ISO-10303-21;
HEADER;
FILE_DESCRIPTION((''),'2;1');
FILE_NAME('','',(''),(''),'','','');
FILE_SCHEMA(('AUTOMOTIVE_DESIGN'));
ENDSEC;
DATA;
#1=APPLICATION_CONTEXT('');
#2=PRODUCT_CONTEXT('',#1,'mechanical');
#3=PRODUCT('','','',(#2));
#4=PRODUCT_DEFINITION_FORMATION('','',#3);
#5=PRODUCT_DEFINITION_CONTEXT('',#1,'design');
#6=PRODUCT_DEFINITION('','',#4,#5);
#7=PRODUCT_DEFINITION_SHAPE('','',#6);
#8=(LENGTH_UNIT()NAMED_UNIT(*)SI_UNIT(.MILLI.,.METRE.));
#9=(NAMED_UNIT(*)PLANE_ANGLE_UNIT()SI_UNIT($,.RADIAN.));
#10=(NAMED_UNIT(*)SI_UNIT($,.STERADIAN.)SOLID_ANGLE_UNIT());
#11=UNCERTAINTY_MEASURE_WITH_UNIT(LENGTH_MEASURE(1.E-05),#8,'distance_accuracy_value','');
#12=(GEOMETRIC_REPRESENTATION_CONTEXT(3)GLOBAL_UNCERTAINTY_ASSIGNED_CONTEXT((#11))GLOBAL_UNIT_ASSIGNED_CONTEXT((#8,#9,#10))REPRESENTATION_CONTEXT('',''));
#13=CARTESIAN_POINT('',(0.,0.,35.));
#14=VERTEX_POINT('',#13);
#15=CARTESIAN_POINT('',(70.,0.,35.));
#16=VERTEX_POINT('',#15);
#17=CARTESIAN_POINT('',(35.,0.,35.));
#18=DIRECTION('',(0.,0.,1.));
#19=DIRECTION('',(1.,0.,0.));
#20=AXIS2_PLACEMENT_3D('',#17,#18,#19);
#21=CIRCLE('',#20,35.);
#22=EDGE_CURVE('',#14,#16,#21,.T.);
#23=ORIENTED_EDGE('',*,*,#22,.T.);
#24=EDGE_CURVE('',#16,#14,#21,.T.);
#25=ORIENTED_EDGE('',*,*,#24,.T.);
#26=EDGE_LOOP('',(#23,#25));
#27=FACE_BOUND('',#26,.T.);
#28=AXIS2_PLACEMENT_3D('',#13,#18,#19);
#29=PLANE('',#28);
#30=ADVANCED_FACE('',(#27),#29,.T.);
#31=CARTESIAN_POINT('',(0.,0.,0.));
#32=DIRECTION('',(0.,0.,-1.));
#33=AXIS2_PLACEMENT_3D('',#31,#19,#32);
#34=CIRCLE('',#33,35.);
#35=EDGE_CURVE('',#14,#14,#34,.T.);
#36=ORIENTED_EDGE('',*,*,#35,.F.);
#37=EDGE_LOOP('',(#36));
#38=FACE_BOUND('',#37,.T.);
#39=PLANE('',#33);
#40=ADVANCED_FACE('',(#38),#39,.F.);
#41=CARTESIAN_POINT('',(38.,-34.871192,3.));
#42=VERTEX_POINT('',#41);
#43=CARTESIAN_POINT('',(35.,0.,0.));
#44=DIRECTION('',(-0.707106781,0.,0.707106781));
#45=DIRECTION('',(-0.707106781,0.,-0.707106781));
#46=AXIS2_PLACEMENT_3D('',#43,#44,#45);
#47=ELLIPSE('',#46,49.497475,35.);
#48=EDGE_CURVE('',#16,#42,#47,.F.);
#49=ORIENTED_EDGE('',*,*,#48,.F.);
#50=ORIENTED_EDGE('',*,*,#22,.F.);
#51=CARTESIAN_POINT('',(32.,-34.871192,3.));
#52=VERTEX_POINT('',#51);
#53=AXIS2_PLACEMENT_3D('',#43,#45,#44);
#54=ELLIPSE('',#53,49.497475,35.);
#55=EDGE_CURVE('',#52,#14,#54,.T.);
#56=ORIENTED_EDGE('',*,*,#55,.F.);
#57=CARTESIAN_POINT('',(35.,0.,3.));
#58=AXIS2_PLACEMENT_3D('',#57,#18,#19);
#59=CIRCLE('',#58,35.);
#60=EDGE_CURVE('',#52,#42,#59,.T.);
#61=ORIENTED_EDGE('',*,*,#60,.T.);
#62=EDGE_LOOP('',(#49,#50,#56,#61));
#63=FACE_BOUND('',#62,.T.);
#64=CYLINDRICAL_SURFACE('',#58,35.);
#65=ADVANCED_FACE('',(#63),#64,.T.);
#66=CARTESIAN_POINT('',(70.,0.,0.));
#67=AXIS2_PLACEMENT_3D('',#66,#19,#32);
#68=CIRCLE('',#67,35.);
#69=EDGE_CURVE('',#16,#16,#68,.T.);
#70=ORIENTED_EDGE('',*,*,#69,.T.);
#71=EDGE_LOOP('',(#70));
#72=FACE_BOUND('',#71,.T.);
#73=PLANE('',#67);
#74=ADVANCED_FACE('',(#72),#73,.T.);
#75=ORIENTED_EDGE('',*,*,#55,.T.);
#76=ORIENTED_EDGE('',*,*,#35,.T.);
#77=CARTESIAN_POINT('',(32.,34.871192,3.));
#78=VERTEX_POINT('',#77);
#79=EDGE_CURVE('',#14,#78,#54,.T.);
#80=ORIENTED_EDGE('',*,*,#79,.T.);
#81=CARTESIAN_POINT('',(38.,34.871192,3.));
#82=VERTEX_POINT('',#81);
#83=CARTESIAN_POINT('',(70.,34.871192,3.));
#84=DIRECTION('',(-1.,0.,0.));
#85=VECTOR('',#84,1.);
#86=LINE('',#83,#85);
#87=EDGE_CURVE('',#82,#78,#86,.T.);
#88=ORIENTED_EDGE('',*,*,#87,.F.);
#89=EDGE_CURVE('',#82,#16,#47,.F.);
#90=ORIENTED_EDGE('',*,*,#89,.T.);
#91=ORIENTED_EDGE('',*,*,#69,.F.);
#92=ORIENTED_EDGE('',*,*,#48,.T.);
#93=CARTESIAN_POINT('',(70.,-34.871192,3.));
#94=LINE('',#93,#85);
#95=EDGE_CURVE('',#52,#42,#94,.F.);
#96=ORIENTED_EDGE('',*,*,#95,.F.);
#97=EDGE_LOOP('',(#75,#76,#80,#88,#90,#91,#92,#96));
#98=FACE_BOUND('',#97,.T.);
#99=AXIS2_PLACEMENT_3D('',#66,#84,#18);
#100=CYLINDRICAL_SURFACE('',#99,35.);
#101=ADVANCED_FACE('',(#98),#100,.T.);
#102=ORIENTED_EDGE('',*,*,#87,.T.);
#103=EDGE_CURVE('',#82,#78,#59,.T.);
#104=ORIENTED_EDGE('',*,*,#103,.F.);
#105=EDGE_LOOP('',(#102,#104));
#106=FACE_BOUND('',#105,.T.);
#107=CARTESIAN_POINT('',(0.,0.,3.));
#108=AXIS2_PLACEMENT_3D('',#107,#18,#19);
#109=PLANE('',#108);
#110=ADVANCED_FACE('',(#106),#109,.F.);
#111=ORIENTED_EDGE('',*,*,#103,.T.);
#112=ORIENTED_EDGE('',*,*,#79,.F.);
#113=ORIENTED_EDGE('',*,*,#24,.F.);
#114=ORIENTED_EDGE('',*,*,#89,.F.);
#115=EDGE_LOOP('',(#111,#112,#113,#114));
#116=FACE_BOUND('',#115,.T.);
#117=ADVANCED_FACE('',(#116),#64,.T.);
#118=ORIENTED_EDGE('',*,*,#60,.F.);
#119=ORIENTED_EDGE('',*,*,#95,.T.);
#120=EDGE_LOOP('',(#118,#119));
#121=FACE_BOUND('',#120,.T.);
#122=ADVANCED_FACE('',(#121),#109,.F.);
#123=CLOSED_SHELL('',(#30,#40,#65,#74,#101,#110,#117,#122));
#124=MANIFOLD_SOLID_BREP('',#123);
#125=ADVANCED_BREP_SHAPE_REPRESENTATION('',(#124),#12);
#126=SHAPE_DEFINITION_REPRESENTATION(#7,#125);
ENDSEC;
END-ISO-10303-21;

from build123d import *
from build123d.topology import SkipClean

# Parameters (mm, degrees)
SKETCH_1_R      = 35
EXTRUDE_1_DEPTH = 70
SKETCH_2_R      = 35
EXTRUDE_2_DEPTH = 32


with BuildPart() as part:
    # 草图1 → 凸台-拉伸1 (new body)
    with BuildSketch(Plane(origin=(0, 0, 0), x_dir=(0, 0, -1), z_dir=(1, 0, 0))):
        Circle(SKETCH_1_R)
    extrude(amount=EXTRUDE_1_DEPTH)

    # 草图2 → 凸台-拉伸2 (add)
    with SkipClean():  # the faces are left unmerged after this step: merging them gives an invalid solid
        with BuildSketch(Plane.XY.offset(35)):
            with Locations((35, 0)):
                Circle(SKETCH_2_R)
        extrude(amount=-EXTRUDE_2_DEPTH)


solid = part.part
